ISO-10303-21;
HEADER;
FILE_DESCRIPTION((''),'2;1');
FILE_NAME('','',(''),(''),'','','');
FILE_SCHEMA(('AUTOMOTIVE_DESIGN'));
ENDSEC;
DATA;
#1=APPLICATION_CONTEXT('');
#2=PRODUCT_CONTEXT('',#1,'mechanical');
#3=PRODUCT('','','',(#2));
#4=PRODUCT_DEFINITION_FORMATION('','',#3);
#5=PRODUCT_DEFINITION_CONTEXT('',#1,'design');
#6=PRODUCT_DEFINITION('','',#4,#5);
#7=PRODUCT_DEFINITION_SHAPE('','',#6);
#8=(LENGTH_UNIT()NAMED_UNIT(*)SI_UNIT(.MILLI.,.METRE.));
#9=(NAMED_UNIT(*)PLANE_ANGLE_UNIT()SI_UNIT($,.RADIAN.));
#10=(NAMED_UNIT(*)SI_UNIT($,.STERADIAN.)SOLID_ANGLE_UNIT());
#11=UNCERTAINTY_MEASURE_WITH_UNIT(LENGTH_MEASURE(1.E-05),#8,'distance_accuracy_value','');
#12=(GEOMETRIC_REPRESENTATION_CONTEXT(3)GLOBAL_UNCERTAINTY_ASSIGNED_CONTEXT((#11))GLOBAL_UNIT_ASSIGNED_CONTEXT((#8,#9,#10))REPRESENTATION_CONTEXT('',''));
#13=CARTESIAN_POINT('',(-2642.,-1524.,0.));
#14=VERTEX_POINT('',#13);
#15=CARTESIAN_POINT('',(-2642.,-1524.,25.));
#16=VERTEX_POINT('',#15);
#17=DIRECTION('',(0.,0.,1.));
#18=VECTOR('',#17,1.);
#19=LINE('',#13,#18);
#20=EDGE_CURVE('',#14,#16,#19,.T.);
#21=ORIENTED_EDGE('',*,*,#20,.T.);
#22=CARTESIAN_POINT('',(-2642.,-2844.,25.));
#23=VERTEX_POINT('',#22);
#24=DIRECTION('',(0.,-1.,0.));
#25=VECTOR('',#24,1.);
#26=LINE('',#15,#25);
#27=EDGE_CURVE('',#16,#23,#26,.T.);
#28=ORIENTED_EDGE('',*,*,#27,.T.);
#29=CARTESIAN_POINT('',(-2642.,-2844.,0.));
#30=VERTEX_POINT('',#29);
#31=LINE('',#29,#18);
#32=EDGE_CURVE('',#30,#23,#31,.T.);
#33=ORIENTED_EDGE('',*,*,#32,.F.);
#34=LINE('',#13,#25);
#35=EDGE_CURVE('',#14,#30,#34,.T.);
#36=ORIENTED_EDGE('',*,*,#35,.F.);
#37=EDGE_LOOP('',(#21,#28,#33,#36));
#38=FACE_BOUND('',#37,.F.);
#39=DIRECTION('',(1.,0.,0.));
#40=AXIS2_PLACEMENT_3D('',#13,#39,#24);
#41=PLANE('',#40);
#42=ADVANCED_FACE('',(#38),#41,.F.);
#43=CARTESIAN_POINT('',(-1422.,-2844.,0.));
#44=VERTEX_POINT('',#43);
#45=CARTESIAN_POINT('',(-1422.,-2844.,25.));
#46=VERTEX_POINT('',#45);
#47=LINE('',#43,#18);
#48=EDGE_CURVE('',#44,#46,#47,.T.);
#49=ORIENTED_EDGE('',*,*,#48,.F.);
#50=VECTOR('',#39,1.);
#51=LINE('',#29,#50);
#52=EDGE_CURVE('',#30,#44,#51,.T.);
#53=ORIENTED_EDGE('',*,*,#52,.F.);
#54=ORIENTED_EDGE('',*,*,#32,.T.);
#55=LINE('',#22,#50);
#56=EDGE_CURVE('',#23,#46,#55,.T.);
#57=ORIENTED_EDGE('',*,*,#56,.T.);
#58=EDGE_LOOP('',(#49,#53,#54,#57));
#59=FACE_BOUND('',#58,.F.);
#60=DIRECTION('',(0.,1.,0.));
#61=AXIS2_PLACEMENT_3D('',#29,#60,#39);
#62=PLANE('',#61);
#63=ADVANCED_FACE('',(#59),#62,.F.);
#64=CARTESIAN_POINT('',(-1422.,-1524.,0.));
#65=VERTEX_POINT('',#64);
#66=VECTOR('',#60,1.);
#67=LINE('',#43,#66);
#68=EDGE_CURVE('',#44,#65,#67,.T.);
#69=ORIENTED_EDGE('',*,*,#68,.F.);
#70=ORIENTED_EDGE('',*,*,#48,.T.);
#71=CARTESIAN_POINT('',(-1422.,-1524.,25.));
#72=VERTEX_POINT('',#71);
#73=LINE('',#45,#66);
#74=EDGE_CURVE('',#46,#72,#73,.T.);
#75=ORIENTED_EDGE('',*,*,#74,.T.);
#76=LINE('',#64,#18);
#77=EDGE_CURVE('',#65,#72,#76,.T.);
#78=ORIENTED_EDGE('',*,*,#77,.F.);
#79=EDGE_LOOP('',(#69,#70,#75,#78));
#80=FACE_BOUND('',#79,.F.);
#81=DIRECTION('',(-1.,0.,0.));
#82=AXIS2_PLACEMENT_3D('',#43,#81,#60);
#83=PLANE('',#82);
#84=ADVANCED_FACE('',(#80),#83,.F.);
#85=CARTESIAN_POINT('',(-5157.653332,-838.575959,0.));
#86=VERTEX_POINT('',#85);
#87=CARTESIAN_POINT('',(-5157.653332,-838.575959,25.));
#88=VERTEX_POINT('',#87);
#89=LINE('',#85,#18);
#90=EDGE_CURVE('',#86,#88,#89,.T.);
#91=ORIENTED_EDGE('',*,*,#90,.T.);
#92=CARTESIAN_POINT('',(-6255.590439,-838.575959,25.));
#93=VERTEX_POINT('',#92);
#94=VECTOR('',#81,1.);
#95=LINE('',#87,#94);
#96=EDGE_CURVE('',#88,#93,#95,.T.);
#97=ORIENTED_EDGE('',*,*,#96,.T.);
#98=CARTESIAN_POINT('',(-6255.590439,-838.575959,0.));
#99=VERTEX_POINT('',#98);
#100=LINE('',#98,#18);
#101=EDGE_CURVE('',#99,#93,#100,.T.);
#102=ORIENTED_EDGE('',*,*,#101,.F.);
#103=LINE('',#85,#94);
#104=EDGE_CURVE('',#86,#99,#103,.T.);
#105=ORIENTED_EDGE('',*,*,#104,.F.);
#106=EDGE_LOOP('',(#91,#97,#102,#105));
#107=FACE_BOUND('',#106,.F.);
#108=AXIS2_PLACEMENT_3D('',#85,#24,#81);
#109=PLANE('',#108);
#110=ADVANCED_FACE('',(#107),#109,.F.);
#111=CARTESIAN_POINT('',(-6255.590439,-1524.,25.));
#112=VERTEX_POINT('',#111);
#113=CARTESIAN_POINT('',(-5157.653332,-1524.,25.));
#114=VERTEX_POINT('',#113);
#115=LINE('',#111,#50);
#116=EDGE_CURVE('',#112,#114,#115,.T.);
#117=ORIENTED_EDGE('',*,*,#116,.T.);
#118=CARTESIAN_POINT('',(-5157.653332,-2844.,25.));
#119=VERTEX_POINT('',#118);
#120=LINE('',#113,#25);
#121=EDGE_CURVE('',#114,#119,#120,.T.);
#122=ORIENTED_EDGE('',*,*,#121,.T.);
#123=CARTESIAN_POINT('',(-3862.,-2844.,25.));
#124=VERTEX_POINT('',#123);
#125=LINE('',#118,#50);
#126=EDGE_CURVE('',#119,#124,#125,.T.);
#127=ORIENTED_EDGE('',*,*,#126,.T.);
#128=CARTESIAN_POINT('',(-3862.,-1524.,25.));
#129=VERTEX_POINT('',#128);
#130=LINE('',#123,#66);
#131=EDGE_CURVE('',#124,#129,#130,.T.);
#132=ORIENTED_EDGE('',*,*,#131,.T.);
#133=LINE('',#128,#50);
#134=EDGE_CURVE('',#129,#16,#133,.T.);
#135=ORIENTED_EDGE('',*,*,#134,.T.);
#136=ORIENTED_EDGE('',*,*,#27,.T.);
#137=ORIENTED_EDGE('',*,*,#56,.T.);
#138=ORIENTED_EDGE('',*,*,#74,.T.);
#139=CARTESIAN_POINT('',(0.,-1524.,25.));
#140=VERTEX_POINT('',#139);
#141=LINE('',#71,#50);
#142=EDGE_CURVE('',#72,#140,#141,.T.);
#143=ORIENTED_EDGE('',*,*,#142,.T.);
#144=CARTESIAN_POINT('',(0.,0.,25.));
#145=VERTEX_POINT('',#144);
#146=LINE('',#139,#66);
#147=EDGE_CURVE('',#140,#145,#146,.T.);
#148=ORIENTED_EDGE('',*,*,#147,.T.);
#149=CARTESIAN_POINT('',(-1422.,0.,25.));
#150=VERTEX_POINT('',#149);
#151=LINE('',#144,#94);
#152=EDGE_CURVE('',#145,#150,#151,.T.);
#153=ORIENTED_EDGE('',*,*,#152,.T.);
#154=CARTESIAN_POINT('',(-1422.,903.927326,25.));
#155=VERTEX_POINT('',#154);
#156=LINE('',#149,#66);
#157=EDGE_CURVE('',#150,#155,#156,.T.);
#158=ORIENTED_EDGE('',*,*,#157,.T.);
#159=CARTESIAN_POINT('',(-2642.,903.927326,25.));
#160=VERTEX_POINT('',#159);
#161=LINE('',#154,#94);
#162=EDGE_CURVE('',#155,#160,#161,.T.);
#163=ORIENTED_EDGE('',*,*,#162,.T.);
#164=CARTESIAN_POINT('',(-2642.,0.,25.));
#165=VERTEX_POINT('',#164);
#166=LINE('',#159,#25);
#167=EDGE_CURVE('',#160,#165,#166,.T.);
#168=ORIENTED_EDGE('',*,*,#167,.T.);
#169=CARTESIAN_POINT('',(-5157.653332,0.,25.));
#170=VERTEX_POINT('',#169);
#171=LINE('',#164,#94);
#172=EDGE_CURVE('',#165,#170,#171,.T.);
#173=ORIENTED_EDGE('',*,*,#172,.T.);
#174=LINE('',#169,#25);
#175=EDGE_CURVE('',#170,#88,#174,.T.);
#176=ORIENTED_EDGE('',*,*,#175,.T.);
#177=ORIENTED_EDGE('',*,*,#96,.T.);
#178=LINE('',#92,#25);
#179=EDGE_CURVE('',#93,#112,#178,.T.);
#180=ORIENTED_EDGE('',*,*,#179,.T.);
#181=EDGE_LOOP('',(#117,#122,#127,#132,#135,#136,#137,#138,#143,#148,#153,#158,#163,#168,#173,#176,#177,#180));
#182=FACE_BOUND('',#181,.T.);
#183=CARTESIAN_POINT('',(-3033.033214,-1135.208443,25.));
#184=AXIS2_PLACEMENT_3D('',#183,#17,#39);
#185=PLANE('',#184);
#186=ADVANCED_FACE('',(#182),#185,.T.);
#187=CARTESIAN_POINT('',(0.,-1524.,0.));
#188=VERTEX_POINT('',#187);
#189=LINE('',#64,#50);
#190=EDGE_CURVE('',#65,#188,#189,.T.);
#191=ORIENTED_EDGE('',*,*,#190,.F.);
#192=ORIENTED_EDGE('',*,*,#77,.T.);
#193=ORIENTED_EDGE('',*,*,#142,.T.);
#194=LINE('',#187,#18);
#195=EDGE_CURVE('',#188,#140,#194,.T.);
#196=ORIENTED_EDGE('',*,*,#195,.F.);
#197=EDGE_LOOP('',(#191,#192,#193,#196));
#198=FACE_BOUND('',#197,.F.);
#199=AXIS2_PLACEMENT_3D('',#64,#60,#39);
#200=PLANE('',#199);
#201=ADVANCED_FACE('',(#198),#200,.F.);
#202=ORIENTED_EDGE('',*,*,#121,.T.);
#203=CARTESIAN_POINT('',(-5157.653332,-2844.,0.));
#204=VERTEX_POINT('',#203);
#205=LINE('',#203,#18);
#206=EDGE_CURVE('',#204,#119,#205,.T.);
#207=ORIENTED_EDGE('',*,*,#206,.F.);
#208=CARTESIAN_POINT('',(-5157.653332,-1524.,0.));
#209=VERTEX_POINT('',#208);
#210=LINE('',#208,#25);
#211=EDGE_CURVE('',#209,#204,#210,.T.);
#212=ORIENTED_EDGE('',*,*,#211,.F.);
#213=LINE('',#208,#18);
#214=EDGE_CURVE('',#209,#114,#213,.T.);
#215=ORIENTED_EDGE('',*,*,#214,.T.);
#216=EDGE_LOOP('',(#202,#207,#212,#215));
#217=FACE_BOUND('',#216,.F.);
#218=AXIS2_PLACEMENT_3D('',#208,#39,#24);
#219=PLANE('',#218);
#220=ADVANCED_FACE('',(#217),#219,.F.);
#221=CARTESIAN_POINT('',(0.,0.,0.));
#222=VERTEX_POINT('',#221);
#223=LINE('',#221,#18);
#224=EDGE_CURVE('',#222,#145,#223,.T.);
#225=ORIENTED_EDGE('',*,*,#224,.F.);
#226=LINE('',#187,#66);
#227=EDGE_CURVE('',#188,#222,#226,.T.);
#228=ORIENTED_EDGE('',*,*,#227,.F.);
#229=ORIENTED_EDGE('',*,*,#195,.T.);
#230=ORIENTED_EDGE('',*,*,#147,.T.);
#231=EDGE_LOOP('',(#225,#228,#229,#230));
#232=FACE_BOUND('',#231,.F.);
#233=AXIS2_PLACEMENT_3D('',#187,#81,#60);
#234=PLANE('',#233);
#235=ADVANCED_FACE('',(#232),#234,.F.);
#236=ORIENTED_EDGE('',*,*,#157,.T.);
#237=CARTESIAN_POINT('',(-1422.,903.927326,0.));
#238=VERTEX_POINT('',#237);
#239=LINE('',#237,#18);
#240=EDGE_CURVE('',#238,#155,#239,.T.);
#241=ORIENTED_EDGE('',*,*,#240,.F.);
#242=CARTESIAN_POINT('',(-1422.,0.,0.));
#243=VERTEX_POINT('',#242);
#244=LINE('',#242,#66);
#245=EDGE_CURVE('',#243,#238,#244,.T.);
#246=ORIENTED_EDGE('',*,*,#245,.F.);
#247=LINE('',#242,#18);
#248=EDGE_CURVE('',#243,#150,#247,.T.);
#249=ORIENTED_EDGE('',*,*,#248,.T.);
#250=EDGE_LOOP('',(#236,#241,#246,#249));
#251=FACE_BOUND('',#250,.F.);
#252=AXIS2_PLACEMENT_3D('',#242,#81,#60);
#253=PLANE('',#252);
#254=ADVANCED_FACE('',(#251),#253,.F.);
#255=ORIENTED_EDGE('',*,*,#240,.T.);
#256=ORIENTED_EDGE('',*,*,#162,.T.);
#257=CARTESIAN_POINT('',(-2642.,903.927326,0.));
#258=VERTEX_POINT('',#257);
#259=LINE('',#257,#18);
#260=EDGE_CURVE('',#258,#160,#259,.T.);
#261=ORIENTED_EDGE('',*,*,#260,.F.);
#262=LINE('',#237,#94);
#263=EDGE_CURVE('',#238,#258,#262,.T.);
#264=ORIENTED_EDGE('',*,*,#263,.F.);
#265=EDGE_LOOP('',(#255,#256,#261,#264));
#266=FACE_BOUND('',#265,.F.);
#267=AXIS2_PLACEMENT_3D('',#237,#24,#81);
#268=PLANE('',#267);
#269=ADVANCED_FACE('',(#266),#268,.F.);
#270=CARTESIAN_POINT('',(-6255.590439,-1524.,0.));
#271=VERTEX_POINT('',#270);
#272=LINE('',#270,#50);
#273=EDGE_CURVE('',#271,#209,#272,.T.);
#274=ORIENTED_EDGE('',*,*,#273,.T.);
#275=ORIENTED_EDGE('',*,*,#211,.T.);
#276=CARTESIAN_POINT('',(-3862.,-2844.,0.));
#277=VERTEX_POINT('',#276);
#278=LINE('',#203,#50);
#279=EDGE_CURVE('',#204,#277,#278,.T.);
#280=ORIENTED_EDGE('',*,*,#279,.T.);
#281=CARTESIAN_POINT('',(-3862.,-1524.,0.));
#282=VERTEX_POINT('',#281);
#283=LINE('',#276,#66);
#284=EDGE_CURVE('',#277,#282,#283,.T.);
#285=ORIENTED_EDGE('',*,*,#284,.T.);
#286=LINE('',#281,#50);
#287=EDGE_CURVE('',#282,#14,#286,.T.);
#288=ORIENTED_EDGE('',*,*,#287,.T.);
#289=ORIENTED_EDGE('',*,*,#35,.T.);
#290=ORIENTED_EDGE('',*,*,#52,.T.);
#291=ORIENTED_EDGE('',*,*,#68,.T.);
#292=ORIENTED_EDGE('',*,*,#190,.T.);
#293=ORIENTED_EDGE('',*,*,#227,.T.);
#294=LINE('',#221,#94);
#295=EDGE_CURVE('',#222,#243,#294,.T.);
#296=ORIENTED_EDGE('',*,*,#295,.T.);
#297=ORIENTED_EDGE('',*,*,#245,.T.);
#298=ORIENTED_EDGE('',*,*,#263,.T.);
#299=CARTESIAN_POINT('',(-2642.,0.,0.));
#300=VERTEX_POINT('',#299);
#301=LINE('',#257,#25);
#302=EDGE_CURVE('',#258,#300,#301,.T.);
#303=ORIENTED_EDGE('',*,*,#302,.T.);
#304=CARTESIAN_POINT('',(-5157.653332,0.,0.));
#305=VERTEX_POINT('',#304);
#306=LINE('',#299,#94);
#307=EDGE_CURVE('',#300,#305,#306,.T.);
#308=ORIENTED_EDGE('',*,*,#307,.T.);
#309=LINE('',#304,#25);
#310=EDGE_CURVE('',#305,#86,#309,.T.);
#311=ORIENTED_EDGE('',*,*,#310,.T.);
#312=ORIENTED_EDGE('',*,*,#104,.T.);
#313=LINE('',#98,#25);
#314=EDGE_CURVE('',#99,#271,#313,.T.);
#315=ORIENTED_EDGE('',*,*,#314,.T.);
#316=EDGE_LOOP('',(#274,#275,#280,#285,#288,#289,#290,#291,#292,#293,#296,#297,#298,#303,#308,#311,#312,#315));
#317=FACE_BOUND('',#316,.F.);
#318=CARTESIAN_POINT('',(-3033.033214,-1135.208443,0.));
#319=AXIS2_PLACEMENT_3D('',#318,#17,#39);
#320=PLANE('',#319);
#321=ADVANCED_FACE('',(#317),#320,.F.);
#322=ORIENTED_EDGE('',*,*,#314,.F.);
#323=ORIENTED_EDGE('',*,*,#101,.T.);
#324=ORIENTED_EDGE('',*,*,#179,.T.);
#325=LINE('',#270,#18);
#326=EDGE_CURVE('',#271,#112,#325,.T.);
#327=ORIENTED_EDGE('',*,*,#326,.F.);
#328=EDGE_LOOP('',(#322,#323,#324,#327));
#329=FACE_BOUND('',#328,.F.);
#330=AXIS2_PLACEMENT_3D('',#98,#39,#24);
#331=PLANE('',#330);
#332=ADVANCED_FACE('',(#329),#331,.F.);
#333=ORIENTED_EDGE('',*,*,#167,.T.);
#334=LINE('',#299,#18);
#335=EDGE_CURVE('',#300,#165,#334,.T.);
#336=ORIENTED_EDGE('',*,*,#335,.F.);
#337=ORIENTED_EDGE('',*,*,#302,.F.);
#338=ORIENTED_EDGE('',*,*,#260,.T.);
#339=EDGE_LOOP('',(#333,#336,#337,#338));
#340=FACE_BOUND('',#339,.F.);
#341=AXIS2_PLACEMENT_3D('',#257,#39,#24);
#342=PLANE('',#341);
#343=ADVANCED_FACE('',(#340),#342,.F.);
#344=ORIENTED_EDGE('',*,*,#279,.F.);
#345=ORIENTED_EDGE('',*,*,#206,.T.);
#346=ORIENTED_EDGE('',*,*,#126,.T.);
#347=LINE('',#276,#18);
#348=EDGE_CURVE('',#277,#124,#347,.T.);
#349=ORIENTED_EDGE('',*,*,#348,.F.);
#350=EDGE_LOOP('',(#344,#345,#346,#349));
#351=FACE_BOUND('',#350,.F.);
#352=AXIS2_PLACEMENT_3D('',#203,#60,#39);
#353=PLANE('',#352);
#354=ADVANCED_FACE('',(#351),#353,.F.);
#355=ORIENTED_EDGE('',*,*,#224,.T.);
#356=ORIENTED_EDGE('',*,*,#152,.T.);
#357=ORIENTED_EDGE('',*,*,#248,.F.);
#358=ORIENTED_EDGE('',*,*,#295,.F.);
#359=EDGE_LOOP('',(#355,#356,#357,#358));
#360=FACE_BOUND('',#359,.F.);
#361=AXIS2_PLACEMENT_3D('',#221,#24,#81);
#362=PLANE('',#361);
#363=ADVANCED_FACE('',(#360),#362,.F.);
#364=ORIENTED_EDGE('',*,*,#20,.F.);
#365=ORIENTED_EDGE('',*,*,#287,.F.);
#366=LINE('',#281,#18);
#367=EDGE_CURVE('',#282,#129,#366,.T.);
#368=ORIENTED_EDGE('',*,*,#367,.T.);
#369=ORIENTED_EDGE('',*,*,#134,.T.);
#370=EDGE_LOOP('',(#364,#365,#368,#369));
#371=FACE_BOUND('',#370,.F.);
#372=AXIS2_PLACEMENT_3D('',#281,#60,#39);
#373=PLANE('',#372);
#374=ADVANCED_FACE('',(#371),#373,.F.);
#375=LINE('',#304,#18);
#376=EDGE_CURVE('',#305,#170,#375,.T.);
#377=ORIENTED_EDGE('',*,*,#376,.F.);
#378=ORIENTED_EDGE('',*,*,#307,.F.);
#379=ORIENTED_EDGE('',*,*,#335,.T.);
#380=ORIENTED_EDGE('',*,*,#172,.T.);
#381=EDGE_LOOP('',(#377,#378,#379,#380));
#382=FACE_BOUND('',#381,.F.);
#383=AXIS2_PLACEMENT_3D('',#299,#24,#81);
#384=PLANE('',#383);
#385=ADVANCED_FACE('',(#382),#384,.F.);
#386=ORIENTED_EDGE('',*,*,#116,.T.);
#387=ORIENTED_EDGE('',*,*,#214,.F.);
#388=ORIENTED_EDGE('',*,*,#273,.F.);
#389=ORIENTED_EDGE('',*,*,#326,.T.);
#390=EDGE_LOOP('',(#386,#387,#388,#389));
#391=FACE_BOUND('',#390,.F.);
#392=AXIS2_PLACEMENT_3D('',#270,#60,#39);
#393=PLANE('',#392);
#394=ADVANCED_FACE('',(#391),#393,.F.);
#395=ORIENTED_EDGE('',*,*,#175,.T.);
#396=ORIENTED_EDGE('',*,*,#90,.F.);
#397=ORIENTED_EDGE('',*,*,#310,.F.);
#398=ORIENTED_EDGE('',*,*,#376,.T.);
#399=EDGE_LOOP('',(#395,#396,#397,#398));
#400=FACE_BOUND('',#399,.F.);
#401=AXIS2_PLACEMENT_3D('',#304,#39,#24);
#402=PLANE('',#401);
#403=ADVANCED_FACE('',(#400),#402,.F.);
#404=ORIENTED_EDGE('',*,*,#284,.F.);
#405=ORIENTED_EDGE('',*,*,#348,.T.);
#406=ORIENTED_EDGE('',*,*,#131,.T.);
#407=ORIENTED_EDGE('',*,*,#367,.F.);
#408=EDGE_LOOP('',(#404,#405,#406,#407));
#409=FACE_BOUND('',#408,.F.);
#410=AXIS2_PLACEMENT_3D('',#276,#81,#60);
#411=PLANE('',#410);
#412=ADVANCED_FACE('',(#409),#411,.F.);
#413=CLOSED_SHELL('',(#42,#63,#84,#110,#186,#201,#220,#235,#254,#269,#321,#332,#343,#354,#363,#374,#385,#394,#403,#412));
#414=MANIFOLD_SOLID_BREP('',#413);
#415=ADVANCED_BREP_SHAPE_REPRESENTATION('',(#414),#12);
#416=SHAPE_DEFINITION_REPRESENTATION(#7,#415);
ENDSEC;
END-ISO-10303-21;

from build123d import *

# Parameters (mm, degrees)
F1_DEPTH = 25


with BuildPart() as f1:
    # F0 (on Top) → F1 (new body)
    with BuildSketch(Plane.XY):
        Polygon((0, -1524), (0, 0), (-1422, 0), (-1422, 903.927326), (-2642, 903.927326), (-2642, 0), (-4061.803818, 0), (-5157.653332, 0), (-5157.653332, -838.575959), (-6255.590439, -838.575959), (-6255.590439, -1524), (-5157.653332, -1524), (-5157.653332, -2844), (-3862, -2844), (-3862, -1524), (-2642, -1524), (-2642, -2844), (-1422, -2844), (-1422, -1524), align=None)
    extrude(amount=F1_DEPTH)


solid = f1.part
